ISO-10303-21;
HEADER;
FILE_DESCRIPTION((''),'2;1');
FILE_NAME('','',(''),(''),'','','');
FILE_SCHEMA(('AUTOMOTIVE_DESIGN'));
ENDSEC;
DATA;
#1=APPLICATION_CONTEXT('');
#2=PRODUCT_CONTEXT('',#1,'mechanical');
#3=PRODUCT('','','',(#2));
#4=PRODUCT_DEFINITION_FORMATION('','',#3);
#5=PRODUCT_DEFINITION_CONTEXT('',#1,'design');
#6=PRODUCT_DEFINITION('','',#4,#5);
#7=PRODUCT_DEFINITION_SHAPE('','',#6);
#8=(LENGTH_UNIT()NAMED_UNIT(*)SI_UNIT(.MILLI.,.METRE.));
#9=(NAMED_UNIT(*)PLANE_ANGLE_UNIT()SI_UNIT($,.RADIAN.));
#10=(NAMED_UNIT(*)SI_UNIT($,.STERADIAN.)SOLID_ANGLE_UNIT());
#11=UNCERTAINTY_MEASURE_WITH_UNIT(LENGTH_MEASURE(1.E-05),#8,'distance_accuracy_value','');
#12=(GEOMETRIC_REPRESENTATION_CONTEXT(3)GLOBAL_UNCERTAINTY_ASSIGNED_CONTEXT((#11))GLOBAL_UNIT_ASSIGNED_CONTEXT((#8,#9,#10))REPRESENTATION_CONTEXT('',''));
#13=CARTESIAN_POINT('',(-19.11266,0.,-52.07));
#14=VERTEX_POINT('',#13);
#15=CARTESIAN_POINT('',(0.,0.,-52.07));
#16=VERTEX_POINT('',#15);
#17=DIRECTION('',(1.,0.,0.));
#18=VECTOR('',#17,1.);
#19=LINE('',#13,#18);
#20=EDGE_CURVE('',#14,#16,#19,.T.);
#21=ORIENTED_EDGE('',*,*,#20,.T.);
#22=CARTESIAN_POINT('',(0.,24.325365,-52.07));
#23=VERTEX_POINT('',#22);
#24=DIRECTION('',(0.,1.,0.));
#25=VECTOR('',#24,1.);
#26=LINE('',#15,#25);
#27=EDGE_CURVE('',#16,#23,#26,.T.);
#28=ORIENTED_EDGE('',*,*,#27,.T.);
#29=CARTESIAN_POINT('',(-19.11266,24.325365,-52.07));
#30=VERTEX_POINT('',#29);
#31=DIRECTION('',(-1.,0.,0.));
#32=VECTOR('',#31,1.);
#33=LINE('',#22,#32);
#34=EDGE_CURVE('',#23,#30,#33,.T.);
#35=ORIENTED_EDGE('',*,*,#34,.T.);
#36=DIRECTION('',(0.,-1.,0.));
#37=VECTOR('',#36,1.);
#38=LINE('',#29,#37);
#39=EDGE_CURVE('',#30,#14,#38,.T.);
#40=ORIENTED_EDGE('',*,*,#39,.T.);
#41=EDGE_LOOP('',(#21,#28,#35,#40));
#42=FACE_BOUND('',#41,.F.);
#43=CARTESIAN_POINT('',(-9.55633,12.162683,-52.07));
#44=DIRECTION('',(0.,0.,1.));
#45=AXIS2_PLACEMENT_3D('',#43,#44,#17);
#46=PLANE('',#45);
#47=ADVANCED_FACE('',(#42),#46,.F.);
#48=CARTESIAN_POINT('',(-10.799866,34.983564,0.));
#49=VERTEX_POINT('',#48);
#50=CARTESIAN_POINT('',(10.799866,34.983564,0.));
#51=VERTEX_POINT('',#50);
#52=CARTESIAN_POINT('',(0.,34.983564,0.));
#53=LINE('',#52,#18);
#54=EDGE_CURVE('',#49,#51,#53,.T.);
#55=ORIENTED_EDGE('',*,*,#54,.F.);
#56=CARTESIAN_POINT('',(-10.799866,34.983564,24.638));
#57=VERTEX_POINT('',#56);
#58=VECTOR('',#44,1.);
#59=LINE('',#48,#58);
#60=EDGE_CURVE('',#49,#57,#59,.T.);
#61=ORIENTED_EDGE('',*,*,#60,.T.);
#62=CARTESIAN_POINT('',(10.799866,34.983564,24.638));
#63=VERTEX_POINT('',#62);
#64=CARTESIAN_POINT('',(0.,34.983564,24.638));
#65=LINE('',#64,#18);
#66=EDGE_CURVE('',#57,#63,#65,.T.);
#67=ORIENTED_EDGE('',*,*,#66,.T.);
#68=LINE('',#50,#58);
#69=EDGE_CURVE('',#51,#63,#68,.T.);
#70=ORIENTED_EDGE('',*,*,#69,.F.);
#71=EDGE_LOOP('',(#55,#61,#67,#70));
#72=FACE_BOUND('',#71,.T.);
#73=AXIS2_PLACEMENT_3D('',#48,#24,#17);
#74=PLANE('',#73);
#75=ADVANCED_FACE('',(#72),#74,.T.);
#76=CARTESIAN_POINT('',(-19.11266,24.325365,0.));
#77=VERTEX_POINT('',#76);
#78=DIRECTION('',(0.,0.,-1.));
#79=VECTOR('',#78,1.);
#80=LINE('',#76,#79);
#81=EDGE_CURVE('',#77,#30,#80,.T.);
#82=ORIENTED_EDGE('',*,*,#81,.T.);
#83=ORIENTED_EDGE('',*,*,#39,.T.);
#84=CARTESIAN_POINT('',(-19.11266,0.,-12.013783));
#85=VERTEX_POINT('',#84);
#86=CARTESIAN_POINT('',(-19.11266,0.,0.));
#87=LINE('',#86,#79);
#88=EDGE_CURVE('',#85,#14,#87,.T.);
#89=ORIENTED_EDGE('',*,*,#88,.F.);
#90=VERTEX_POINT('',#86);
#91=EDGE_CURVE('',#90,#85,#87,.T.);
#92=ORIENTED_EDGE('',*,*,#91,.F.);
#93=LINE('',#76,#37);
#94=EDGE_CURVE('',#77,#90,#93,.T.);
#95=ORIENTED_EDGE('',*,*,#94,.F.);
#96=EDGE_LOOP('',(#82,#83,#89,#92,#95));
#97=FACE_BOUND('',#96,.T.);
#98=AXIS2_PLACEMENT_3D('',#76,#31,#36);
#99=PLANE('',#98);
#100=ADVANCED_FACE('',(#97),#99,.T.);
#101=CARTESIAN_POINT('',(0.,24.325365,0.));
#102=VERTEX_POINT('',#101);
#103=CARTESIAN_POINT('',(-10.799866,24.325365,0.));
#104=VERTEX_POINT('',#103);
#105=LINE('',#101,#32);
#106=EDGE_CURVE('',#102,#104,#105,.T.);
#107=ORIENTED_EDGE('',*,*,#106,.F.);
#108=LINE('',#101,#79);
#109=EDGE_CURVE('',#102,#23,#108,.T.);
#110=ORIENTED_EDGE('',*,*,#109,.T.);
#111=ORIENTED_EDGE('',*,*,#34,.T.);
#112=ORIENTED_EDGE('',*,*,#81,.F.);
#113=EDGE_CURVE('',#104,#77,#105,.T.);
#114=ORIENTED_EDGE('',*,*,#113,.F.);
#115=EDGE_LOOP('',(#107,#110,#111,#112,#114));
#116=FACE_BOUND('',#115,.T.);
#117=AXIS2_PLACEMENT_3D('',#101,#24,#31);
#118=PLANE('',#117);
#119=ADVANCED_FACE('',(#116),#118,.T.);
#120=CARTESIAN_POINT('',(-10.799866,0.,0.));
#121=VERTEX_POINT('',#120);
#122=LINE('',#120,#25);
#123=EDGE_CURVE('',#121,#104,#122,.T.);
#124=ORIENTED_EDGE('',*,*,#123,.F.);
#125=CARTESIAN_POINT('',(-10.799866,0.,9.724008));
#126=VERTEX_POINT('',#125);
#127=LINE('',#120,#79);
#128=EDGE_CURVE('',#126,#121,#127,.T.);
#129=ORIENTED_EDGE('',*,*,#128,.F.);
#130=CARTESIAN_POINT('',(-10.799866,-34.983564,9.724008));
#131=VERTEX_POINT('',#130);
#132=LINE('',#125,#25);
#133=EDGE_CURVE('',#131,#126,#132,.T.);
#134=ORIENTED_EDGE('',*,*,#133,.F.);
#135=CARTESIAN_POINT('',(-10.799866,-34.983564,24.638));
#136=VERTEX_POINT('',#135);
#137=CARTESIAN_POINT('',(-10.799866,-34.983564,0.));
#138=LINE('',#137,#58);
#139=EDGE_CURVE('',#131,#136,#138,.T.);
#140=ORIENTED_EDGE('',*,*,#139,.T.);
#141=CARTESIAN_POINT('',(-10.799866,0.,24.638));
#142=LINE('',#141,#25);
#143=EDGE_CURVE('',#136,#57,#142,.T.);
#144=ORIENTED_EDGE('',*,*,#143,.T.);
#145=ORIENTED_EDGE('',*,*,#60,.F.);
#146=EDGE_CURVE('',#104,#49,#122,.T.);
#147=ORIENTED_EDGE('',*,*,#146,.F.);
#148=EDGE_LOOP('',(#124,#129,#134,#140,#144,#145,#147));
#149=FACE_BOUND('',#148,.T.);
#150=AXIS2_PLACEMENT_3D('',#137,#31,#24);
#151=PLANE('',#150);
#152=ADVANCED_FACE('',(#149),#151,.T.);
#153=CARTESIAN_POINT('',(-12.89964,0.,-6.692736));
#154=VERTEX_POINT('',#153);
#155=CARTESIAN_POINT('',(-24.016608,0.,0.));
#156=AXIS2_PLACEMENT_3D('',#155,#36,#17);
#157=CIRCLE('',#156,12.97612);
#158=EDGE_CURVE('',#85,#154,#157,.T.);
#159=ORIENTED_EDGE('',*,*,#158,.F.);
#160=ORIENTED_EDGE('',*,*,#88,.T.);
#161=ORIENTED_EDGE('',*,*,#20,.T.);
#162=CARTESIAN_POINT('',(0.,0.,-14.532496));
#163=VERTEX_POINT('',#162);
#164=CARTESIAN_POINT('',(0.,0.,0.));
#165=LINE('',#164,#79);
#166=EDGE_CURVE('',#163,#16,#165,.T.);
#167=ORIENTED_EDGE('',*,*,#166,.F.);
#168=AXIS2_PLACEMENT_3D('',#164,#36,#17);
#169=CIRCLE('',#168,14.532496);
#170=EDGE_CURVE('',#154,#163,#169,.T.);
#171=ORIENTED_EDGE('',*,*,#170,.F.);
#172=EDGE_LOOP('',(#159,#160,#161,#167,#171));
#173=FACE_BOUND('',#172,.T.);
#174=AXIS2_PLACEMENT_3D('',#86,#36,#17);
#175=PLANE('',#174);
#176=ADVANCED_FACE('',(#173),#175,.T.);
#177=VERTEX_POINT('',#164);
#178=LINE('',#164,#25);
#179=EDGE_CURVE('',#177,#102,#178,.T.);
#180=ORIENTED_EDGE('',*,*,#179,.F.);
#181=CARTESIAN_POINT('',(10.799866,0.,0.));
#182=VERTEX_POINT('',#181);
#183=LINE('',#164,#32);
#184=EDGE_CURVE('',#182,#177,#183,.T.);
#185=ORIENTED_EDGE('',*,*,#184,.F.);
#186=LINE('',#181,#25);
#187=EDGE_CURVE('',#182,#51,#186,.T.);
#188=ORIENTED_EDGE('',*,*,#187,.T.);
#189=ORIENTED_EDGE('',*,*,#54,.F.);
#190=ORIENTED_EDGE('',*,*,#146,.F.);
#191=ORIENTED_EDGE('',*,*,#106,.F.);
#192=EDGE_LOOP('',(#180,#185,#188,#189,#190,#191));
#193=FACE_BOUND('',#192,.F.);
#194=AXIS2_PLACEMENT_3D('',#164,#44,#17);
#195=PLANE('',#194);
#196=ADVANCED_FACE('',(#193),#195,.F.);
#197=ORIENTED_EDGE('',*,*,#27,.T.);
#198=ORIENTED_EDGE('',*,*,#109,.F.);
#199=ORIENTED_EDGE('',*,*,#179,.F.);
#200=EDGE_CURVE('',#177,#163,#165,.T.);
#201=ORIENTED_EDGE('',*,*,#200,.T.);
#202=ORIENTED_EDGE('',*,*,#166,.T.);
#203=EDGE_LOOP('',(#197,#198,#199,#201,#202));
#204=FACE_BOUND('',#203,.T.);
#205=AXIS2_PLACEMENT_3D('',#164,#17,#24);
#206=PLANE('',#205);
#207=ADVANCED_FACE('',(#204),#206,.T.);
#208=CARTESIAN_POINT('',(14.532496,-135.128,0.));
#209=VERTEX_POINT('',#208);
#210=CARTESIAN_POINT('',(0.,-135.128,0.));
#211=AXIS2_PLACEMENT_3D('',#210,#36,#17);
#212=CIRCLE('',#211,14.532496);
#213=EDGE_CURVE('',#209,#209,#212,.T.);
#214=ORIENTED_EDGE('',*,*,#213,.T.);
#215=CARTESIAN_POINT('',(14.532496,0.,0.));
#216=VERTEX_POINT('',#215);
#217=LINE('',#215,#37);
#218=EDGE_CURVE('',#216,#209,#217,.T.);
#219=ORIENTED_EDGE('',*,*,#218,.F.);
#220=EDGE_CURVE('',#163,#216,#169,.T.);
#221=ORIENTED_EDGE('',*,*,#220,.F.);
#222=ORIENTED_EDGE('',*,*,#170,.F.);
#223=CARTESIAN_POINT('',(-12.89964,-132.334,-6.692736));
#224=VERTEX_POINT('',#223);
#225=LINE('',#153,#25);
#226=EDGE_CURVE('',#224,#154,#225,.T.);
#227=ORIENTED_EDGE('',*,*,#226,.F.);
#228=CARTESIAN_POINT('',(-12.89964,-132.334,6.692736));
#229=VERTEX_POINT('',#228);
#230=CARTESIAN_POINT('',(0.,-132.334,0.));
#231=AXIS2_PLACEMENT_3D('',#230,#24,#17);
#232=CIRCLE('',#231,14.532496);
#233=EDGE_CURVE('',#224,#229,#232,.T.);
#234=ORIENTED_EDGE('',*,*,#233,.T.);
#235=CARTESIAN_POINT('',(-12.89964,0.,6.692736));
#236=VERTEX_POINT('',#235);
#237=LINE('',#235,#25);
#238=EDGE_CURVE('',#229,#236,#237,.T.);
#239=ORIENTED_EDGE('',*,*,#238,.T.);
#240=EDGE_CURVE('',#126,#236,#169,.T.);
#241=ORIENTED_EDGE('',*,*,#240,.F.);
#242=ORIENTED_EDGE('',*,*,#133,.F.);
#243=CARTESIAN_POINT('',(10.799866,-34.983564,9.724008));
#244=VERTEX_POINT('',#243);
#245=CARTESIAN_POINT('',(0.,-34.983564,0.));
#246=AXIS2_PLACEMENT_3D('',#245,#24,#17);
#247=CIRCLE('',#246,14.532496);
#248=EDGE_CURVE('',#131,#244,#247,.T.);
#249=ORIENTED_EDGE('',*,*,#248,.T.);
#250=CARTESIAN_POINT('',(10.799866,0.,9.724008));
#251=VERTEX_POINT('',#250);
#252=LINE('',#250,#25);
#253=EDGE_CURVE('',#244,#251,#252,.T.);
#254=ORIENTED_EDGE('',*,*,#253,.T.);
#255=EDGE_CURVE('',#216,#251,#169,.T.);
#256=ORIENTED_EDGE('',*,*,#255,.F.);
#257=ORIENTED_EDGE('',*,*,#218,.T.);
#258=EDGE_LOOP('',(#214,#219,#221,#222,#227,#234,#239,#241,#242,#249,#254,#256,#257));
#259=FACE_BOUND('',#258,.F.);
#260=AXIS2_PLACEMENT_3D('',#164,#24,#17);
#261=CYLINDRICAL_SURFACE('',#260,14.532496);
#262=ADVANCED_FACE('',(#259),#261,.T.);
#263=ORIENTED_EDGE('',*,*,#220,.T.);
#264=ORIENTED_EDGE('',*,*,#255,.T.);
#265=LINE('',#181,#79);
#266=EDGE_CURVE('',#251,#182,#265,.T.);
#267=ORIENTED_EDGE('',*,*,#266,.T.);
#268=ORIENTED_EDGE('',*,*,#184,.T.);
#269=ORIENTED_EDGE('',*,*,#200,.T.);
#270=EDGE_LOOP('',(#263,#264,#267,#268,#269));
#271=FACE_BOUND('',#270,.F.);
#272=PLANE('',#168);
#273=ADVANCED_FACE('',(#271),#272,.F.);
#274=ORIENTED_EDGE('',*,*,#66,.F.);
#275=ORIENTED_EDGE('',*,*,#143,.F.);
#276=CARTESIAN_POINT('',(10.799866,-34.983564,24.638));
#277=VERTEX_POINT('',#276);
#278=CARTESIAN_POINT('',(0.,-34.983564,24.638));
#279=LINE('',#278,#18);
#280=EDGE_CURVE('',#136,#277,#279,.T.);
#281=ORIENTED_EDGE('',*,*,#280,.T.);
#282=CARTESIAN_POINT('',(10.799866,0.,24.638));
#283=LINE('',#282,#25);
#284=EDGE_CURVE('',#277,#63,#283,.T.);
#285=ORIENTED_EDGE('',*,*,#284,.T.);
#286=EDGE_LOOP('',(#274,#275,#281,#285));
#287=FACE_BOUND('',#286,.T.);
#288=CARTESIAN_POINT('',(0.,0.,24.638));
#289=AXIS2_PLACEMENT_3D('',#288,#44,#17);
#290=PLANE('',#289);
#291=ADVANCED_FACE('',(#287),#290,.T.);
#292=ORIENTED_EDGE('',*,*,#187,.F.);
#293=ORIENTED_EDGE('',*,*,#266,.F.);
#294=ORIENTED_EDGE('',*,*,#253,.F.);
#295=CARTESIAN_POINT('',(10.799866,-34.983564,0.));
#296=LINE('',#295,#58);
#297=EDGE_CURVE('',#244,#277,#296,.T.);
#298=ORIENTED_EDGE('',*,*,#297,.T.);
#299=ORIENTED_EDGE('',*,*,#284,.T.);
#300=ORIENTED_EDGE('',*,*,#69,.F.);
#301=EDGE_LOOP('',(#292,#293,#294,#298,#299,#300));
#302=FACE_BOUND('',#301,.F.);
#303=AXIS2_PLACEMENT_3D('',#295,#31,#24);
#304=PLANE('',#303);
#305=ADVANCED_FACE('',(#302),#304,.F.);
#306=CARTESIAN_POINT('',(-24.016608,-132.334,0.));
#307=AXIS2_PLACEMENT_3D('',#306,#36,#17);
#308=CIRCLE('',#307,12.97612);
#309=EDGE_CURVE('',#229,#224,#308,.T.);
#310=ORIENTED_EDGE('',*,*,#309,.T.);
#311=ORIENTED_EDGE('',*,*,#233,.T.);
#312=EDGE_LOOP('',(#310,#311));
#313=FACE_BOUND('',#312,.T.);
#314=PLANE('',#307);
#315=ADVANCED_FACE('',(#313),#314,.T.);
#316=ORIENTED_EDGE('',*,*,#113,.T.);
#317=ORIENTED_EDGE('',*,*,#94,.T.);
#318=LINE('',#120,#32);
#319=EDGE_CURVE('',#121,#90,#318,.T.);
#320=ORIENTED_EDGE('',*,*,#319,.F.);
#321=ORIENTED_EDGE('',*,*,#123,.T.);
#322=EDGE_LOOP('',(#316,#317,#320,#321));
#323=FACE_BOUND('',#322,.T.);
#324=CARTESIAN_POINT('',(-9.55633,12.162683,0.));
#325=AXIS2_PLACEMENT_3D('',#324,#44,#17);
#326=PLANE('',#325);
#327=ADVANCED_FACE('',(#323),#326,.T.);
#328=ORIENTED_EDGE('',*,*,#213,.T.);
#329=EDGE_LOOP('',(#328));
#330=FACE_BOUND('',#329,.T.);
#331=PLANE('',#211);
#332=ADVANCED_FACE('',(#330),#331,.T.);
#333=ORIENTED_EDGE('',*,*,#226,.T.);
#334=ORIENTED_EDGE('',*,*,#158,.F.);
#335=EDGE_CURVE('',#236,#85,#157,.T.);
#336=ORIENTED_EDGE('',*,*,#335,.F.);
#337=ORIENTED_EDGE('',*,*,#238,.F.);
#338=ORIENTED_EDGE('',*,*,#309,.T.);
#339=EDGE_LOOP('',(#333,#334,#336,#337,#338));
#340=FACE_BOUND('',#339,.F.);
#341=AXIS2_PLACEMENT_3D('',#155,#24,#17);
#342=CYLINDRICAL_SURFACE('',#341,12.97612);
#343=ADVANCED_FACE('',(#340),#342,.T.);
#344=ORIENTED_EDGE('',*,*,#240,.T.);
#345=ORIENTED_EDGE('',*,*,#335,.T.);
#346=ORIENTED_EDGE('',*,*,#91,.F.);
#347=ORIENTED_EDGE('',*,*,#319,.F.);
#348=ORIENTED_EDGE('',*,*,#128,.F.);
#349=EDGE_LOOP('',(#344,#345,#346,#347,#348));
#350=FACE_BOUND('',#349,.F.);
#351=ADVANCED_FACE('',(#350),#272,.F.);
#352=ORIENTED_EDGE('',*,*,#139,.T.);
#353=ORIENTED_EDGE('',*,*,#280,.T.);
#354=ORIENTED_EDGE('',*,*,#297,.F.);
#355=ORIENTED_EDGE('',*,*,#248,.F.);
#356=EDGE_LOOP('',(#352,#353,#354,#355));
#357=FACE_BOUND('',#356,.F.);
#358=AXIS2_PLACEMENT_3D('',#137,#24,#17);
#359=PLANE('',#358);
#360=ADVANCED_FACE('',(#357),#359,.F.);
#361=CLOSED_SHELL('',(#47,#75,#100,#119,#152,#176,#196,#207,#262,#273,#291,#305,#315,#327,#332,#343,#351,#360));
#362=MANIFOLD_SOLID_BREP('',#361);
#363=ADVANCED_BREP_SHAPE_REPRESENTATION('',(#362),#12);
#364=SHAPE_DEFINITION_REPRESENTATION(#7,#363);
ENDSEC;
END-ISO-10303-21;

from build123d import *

# Parameters (mm, degrees)
F0_R     = 14.532496
F1_DEPTH = 135.128
F2_W     = 21.599732
F2_H     = 69.967128
F3_DEPTH = 24.638
F5_DEPTH = 52.07
F6_R     = 12.97612
F7_DEPTH = 132.334


with BuildPart() as f1:
    # F0 (on Front) → F1 (new body)
    with BuildSketch(Plane.XZ):
        Circle(F0_R)
    extrude(amount=F1_DEPTH)

    # F2 (on Top) → F3 (join)
    with BuildSketch(Plane.XY):
        Rectangle(F2_W, F2_H)
    extrude(amount=F3_DEPTH)

    # F4 (on Top) → F5 (join)
    with BuildSketch(Plane.XY):
        Polygon((-19.11266, 0), (0, 0), (0, 24.325365), (-19.11266, 24.325365), (-19.11266, 3.464378), align=None)
    extrude(amount=-F5_DEPTH)

    # F6 (on Front) → F7 (join)
    with BuildSketch(Plane.XZ):
        with Locations((-24.016608, 0)):
            Circle(F6_R)
    extrude(amount=F7_DEPTH)


solid = f1.part
